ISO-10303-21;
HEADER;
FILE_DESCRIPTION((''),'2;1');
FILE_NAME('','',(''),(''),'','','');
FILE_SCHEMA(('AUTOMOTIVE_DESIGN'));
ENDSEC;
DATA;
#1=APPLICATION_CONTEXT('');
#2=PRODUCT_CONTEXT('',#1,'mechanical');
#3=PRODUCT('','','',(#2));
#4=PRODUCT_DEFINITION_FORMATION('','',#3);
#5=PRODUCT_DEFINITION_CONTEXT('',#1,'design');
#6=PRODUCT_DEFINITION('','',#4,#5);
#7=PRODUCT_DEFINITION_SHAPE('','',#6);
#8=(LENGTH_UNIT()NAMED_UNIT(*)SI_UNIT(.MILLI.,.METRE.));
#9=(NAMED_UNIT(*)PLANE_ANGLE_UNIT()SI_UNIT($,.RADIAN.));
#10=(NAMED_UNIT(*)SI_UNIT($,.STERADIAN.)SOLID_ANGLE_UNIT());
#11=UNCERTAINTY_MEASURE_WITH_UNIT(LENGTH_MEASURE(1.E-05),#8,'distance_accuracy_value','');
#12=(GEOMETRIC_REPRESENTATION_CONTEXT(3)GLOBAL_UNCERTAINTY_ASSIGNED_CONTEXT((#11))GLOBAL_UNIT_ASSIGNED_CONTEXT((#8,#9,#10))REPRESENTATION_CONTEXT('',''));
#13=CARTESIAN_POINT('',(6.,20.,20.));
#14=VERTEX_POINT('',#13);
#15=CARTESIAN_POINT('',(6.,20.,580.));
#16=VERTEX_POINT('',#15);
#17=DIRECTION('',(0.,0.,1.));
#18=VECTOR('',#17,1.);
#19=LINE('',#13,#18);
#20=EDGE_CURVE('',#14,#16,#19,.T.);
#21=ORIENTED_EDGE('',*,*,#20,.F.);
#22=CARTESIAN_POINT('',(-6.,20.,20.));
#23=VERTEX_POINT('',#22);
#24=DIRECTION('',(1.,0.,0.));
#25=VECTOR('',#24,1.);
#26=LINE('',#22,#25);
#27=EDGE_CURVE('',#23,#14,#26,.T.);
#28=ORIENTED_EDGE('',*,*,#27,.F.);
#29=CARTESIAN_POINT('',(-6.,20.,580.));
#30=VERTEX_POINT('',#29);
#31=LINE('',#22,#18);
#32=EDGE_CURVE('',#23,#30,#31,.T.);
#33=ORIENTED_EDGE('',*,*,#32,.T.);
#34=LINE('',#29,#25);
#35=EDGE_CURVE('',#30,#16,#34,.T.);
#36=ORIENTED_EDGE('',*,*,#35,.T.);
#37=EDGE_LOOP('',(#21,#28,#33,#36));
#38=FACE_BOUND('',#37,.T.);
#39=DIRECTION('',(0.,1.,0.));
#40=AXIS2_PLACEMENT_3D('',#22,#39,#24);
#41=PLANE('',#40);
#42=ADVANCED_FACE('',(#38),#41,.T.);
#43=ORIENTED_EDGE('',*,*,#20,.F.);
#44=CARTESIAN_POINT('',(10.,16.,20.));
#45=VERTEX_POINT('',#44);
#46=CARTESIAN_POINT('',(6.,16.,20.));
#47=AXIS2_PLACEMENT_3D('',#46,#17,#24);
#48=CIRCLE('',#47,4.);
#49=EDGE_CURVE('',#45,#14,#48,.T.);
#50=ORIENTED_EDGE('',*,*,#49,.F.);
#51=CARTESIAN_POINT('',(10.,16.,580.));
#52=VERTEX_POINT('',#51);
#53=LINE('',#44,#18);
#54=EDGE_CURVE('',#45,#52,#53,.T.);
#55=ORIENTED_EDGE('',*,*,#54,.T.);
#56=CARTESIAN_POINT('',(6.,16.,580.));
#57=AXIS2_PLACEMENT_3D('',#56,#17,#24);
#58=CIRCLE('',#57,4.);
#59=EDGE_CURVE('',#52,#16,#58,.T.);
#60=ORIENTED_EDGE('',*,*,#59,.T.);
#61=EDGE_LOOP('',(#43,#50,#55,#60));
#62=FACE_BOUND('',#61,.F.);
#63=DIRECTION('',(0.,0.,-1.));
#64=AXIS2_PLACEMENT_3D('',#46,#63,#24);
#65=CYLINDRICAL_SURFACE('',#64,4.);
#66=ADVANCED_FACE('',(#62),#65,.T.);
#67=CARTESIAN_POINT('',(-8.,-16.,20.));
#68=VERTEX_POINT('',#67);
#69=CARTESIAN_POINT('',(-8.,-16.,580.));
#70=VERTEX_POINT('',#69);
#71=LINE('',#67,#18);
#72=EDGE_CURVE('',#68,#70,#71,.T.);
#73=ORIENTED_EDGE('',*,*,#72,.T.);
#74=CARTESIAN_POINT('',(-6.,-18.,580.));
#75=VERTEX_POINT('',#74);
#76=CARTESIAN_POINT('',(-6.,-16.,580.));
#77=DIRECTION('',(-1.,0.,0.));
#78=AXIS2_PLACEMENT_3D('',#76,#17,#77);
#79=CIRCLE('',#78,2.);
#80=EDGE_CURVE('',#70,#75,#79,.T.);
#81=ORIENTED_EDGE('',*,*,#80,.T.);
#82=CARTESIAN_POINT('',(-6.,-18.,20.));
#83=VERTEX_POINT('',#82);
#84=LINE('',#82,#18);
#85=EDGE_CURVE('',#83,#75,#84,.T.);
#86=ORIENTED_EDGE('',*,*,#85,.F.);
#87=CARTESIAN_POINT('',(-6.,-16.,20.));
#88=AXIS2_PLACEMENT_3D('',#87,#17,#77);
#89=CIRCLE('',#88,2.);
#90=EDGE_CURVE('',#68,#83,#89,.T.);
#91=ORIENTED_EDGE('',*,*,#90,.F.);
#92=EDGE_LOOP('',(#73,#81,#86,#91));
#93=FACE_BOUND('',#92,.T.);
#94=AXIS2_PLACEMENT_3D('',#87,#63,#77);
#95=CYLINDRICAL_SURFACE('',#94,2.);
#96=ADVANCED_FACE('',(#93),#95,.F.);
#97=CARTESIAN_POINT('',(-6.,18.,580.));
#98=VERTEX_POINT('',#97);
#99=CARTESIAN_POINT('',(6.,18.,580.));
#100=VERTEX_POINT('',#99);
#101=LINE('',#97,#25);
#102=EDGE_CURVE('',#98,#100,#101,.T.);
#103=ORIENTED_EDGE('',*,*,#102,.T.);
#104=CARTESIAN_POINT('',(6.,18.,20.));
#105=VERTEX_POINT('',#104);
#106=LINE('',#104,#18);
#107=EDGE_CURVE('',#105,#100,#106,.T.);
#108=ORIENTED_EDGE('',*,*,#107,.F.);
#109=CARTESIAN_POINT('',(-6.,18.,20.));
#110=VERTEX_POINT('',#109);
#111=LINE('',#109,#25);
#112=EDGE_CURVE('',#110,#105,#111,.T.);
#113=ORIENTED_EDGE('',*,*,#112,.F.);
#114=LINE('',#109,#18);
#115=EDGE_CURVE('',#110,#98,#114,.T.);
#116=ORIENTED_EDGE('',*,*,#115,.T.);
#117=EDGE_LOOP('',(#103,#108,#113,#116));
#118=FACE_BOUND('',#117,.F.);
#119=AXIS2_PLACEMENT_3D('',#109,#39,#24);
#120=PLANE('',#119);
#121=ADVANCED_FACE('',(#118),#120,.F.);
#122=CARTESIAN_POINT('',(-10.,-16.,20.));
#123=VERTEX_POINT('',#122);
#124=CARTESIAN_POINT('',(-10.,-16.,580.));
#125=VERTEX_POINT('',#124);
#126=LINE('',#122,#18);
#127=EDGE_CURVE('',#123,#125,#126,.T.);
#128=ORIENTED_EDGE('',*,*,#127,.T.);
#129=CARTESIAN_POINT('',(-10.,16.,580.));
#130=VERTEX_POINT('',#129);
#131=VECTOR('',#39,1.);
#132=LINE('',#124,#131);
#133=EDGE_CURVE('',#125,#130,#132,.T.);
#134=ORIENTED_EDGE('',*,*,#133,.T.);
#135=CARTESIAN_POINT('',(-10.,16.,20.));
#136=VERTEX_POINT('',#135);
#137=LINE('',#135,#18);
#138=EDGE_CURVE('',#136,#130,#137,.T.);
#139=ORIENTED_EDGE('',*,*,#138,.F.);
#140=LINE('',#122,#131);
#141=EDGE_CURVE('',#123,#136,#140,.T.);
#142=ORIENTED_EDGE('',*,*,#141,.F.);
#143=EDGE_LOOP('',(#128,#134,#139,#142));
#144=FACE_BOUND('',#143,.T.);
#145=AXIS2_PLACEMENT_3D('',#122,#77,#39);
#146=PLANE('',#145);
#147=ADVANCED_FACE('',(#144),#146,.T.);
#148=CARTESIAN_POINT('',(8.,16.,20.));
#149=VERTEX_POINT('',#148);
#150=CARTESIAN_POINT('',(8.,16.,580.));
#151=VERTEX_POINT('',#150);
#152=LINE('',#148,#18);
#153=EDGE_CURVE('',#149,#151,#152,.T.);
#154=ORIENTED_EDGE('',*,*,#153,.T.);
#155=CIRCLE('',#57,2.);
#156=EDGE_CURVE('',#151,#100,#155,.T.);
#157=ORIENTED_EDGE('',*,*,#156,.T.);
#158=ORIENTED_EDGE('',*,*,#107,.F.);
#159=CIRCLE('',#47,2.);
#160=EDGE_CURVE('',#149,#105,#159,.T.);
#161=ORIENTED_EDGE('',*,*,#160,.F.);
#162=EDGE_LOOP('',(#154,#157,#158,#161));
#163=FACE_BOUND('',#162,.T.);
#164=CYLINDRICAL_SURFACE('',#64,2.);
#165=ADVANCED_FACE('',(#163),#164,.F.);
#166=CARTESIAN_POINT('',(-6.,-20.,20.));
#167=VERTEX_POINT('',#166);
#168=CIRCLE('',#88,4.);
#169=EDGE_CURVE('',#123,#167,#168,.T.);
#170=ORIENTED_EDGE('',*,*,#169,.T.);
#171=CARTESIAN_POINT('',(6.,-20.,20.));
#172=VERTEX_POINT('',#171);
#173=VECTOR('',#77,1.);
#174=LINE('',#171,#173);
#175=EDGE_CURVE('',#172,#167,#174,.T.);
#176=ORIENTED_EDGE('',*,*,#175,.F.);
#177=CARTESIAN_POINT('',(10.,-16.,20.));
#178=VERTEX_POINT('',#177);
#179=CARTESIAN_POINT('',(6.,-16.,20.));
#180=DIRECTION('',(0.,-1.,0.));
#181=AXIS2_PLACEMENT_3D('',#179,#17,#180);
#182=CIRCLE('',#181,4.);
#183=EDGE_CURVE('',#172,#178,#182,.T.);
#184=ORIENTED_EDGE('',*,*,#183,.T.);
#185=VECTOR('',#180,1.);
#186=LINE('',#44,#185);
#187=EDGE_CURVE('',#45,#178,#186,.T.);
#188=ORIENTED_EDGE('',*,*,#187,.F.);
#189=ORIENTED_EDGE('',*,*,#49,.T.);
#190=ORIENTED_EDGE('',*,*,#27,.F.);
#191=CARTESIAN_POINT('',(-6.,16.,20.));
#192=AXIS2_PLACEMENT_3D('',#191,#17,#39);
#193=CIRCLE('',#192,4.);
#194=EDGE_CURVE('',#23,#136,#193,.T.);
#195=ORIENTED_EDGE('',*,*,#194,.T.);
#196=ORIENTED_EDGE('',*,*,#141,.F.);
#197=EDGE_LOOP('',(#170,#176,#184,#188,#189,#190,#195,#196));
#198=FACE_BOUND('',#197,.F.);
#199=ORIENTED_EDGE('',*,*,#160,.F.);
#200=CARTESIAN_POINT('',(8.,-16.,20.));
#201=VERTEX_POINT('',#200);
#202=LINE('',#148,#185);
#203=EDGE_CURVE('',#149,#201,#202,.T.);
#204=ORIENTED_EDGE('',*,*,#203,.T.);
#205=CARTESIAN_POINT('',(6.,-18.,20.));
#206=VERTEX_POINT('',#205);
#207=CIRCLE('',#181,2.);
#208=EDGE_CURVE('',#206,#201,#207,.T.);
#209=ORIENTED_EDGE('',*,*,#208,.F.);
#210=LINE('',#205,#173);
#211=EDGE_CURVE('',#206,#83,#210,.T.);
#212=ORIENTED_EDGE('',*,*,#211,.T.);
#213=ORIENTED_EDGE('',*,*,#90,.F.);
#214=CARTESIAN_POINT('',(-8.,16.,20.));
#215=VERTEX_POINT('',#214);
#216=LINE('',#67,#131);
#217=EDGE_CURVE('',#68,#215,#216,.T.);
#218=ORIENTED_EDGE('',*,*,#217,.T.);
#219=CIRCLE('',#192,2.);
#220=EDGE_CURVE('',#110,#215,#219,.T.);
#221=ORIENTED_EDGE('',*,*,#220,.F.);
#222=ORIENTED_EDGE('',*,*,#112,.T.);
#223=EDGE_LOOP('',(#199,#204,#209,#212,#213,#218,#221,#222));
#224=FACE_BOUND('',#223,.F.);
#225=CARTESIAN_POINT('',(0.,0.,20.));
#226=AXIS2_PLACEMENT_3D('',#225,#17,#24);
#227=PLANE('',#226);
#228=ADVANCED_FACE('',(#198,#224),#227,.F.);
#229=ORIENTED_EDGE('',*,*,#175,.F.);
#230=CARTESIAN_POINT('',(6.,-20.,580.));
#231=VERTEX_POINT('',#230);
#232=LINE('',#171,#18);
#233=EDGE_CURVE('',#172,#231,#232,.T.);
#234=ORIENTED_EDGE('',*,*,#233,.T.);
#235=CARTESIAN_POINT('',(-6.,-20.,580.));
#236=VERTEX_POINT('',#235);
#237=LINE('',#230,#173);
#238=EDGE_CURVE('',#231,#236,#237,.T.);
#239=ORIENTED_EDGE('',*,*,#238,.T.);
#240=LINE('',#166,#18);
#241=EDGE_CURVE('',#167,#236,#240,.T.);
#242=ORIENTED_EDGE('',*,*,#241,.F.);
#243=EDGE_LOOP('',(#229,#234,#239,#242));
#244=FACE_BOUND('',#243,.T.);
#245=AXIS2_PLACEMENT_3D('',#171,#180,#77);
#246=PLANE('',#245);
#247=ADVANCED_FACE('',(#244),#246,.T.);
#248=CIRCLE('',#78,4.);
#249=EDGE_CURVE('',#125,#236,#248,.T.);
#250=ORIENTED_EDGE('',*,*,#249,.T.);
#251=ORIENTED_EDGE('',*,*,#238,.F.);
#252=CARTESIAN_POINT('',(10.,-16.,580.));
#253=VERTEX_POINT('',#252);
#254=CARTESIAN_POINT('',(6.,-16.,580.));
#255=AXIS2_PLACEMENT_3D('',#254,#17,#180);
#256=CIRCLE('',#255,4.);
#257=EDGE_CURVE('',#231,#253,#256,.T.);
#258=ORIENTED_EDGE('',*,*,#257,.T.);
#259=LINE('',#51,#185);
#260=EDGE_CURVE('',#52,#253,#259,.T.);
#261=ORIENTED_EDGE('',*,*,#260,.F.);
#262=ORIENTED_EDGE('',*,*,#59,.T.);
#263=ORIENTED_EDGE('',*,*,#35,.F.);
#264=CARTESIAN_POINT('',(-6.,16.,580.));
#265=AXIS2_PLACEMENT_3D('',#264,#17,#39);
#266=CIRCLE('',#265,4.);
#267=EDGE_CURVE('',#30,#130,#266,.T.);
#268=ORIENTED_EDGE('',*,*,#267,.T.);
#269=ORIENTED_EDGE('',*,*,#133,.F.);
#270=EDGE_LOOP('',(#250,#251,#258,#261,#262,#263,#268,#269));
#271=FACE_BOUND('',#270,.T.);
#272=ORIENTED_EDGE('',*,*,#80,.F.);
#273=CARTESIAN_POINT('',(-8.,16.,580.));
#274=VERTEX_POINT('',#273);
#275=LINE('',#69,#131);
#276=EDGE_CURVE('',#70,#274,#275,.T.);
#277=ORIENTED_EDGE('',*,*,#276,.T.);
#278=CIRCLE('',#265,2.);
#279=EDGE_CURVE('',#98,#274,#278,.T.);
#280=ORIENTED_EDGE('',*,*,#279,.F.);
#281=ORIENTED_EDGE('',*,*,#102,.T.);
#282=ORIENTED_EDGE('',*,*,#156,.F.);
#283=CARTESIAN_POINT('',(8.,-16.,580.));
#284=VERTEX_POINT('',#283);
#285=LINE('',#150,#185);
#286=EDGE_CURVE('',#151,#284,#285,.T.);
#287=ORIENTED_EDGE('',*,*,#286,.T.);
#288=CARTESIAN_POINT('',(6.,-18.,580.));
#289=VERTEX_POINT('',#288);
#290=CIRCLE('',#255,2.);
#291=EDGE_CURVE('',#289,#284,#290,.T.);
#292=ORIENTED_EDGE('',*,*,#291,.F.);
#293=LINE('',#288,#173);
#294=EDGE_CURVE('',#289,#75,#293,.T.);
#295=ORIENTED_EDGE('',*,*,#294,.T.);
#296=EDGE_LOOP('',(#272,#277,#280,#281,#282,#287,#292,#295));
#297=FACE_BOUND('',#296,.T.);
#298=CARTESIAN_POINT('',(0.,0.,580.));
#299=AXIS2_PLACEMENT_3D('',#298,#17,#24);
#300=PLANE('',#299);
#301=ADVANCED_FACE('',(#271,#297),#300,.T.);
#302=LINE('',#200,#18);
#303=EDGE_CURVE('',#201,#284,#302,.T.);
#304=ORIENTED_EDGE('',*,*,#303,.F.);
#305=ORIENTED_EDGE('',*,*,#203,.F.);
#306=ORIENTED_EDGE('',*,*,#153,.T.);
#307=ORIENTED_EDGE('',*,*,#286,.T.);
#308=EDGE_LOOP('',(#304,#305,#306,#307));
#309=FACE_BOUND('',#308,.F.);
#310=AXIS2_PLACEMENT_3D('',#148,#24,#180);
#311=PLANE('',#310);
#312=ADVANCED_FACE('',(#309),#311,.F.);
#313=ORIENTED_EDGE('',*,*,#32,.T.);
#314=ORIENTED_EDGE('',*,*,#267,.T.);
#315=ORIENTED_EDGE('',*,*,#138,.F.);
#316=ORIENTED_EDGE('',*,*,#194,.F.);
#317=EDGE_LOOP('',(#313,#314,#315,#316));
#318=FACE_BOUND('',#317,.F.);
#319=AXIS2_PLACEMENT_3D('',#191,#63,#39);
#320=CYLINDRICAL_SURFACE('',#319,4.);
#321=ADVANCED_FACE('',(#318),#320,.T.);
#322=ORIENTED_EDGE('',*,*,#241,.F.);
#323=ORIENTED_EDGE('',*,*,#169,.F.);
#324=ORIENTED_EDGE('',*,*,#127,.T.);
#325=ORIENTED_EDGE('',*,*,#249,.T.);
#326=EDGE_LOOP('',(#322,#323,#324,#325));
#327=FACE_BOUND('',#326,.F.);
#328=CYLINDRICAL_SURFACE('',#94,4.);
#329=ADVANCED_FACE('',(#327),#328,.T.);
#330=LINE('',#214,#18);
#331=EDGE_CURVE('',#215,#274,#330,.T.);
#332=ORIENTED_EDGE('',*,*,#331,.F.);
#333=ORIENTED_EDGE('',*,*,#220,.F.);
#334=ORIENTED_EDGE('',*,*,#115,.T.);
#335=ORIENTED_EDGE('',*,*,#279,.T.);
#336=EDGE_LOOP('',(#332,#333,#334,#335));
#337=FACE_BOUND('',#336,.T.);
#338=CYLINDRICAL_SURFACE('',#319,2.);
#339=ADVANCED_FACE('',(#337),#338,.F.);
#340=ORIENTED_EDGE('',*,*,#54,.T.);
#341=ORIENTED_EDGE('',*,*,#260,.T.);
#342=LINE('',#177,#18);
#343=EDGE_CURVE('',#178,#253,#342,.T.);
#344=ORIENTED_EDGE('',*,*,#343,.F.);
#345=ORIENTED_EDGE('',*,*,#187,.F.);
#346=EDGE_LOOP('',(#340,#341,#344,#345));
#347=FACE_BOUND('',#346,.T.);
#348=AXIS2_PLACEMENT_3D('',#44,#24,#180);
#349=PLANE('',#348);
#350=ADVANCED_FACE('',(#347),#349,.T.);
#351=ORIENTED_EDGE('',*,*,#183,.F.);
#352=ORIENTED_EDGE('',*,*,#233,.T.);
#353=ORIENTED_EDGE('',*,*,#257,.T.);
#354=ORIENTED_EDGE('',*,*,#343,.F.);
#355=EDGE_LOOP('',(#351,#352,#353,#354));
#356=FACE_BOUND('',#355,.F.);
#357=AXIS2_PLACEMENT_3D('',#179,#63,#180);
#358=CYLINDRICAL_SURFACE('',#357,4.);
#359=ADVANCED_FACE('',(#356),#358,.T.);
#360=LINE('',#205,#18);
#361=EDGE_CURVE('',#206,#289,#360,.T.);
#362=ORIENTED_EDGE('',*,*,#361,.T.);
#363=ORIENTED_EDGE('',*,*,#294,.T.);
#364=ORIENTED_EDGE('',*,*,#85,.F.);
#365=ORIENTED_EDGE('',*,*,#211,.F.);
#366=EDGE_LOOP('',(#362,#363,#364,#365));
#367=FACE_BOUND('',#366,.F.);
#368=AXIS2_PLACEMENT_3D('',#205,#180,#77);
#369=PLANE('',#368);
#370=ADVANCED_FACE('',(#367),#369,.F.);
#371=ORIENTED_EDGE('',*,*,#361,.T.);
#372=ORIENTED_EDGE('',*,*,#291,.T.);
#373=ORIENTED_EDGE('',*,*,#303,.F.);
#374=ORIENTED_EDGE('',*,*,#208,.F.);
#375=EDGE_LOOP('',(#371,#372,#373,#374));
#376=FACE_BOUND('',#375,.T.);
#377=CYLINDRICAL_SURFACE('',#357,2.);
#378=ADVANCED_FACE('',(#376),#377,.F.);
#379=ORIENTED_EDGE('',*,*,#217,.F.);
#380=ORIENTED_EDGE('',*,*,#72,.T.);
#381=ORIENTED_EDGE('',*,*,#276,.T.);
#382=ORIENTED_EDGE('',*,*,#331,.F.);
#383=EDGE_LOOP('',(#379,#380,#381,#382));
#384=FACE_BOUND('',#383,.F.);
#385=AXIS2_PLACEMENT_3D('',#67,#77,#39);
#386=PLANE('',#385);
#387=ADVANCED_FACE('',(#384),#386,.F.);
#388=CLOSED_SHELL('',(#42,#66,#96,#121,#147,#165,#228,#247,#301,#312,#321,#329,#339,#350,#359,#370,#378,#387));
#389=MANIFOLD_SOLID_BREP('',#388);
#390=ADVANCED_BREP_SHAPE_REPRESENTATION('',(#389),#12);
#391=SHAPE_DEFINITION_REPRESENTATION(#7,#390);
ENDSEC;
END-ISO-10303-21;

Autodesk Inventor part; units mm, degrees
ref_plane "Start Plane" through (0, 0, 20) normal (0, 0, 1) x (1, 0, 0)
ref_plane "End Plane" through (0, 0, 580) normal (0, 0, 1) x (1, 0, 0)
sketch "Sketch" plane through (0, 0, 0) normal (0, 0, 1) x (1, 0, 0)
  line L0 (-10, -16) -> (-10, 16)
  line L1 (-6, 20) -> (6, 20)
  line L2 (10, 16) -> (10, -16)
  line L3 (6, -20) -> (-6, -20)
  arc A0 (-10, -16) -> (-6, -20) centre (-6, -16) ccw
  arc A1 (10, 16) -> (6, 20) centre (6, 16) ccw
  arc A2 (-6, 20) -> (-10, 16) centre (-6, 16) ccw
  arc A3 (6, -20) -> (10, -16) centre (6, -16) ccw
  arc A4 (-6, 18) -> (-8, 16) centre (-6, 16) ccw
  line L4 (-6, 18) -> (6, 18)
  arc A5 (8, 16) -> (6, 18) centre (6, 16) ccw
  line L5 (8, 16) -> (8, -16)
  arc A6 (6, -18) -> (8, -16) centre (6, -16) ccw
  line L6 (6, -18) -> (-6, -18)
  arc A7 (-8, -16) -> (-6, -18) centre (-6, -16) ccw
  line L7 (-8, -16) -> (-8, 16)
  line L8 (0, 29.1598) -> (0, -29.1598) construction
  line L9 (-15.1598, 0) -> (15.1598, 0) construction
  dimension "d7" = 4
  dimension "d9" = 20
  dimension "d11" = 40
  dimension "d12" = 2
  dimension "d15" = 10
  dimension "d16" = 20
extrude "Body" add sketch "Sketch" along normal up to surface (560 mm away) from surface at 20
sketch "Sketch3" plane through (0, 0, 0) normal (0, 0, 1) x (1, 0, 0)
  line L0 (0, 0) -> (10, 0)
ref_plane "Work Plane3" through (0, 0, 0) normal (0, -1, 0) x (1, 0, 0)
ref_plane "Work Plane4" through (-390, 276, 580) normal (0, 0, 1) x (1, 0, 0)
split "Split1" plane through (-390, 276, 580) removes the side toward (0, 0, 1)
ref_plane "Work Plane5" through (-480, 244, 20) normal (0, 0, -1) x (-1, 0, 0)
split "Split2" plane through (-480, 244, 20) removes the side toward (0, 0, -1)
sketch "Sketch4" plane through (0, 0, 0) normal (0, -1, 0) x (1, 0, 0)
  line L0 (-2, 20) -> (12, 20) projected
  line L1 (-2, 580) -> (12, 580) projected
  dimension "d18" = 560
equation "\"d7\" = G_IR"
equation "\"d9\" = G_W"
equation "\"d11\" = G_H"
equation "\"d12\" = G_T"
equation "\"d15\" = 0.5 * d9"
equation "\"d16\" = 0.5 * d11"
equation "\"d3\" = G_L"
equation "\"G_W\" = 20"
equation "\"G_H\" = 40"
equation "\"G_T\" = 2"
equation "\"G_IR\" = 4"
equation "\"G_L\" = d18"
properties part number "ISO 10799-2 - 40x20x2 - 560" material "Steel, Mild"
